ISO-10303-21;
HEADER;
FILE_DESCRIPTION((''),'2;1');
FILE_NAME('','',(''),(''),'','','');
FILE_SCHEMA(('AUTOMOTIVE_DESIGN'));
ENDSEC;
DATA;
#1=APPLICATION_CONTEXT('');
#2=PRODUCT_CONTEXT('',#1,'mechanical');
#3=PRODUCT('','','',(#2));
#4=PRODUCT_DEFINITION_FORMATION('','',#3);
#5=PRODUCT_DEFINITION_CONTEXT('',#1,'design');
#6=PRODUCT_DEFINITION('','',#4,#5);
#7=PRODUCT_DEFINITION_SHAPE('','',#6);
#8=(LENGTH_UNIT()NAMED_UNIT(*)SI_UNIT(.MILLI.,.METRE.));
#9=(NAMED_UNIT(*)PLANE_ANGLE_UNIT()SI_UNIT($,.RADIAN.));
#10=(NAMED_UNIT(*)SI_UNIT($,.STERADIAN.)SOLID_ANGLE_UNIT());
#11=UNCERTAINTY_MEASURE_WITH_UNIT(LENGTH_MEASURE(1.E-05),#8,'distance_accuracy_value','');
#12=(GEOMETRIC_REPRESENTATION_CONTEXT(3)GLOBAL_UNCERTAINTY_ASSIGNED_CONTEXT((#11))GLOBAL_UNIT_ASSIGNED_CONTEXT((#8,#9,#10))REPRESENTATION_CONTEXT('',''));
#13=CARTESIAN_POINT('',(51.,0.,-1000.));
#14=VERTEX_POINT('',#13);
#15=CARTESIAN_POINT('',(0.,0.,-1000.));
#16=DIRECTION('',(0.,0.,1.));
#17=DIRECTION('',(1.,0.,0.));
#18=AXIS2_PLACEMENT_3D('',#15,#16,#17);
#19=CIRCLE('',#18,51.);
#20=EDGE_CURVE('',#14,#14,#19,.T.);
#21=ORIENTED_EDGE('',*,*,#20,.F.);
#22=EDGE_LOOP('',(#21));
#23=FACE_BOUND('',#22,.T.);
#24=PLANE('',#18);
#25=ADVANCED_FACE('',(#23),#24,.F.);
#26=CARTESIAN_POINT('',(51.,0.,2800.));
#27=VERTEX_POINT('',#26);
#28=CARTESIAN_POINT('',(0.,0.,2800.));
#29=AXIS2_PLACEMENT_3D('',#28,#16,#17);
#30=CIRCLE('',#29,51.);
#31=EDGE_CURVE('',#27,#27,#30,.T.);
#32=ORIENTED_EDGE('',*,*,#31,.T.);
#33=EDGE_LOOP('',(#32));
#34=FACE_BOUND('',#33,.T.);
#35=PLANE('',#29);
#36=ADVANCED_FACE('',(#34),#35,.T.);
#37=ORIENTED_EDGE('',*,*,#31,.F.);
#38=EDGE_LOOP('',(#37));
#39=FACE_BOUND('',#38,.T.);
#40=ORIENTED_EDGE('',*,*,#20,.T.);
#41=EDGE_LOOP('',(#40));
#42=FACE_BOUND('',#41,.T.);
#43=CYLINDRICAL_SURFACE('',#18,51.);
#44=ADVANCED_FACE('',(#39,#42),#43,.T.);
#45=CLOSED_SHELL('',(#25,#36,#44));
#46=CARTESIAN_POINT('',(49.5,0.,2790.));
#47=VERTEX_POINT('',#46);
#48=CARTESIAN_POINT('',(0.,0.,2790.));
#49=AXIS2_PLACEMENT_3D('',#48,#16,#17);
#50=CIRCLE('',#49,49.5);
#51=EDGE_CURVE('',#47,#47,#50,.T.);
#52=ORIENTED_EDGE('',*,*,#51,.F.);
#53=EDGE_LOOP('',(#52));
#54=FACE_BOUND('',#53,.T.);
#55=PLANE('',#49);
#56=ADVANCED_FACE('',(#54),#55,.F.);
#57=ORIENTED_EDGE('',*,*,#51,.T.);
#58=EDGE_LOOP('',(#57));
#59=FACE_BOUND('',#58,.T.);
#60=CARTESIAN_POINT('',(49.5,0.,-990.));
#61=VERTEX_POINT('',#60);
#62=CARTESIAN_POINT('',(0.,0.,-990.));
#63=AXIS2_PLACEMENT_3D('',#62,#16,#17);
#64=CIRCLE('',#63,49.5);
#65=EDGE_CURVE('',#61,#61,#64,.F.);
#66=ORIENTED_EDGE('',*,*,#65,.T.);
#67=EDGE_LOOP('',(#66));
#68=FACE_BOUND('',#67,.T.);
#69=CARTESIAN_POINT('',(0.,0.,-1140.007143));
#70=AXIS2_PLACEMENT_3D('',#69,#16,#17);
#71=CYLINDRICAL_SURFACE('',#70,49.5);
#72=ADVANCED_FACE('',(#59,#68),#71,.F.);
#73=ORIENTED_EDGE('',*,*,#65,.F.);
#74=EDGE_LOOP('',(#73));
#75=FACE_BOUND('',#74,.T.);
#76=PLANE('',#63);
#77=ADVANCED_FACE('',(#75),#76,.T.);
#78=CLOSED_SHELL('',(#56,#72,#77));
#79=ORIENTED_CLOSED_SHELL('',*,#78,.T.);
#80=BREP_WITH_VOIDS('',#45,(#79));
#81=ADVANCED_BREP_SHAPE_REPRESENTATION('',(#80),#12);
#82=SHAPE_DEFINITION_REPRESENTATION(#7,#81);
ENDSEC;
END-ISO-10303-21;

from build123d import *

# Parameters (mm, degrees)
BOSS_EXTRUDE1_DEPTH      = 2800
BOSS_EXTRUDE1_DEPTH_BACK = 1000
BASE_R                   = 51
CUT_EXTRUDE1_DEPTH       = 2790
CUT_EXTRUDE1_DEPTH_BACK  = 990
CUTOUT_R                 = 49.5


with BuildPart() as part:
    # base → Boss-Extrude1 (new, two sides: drawn at the far end of the back side and taken through both)
    with BuildSketch(Plane.XY.offset(-BOSS_EXTRUDE1_DEPTH_BACK)):
        Circle(BASE_R)
    extrude(amount=BOSS_EXTRUDE1_DEPTH + BOSS_EXTRUDE1_DEPTH_BACK)

    # cutout → Cut-Extrude1 (cut, two sides: drawn at the far end of the back side and taken through both)
    with BuildSketch(Plane.XY.offset(-CUT_EXTRUDE1_DEPTH_BACK)):
        Circle(CUTOUT_R)
    extrude(amount=CUT_EXTRUDE1_DEPTH + CUT_EXTRUDE1_DEPTH_BACK, mode=Mode.SUBTRACT)


solid = part.part
